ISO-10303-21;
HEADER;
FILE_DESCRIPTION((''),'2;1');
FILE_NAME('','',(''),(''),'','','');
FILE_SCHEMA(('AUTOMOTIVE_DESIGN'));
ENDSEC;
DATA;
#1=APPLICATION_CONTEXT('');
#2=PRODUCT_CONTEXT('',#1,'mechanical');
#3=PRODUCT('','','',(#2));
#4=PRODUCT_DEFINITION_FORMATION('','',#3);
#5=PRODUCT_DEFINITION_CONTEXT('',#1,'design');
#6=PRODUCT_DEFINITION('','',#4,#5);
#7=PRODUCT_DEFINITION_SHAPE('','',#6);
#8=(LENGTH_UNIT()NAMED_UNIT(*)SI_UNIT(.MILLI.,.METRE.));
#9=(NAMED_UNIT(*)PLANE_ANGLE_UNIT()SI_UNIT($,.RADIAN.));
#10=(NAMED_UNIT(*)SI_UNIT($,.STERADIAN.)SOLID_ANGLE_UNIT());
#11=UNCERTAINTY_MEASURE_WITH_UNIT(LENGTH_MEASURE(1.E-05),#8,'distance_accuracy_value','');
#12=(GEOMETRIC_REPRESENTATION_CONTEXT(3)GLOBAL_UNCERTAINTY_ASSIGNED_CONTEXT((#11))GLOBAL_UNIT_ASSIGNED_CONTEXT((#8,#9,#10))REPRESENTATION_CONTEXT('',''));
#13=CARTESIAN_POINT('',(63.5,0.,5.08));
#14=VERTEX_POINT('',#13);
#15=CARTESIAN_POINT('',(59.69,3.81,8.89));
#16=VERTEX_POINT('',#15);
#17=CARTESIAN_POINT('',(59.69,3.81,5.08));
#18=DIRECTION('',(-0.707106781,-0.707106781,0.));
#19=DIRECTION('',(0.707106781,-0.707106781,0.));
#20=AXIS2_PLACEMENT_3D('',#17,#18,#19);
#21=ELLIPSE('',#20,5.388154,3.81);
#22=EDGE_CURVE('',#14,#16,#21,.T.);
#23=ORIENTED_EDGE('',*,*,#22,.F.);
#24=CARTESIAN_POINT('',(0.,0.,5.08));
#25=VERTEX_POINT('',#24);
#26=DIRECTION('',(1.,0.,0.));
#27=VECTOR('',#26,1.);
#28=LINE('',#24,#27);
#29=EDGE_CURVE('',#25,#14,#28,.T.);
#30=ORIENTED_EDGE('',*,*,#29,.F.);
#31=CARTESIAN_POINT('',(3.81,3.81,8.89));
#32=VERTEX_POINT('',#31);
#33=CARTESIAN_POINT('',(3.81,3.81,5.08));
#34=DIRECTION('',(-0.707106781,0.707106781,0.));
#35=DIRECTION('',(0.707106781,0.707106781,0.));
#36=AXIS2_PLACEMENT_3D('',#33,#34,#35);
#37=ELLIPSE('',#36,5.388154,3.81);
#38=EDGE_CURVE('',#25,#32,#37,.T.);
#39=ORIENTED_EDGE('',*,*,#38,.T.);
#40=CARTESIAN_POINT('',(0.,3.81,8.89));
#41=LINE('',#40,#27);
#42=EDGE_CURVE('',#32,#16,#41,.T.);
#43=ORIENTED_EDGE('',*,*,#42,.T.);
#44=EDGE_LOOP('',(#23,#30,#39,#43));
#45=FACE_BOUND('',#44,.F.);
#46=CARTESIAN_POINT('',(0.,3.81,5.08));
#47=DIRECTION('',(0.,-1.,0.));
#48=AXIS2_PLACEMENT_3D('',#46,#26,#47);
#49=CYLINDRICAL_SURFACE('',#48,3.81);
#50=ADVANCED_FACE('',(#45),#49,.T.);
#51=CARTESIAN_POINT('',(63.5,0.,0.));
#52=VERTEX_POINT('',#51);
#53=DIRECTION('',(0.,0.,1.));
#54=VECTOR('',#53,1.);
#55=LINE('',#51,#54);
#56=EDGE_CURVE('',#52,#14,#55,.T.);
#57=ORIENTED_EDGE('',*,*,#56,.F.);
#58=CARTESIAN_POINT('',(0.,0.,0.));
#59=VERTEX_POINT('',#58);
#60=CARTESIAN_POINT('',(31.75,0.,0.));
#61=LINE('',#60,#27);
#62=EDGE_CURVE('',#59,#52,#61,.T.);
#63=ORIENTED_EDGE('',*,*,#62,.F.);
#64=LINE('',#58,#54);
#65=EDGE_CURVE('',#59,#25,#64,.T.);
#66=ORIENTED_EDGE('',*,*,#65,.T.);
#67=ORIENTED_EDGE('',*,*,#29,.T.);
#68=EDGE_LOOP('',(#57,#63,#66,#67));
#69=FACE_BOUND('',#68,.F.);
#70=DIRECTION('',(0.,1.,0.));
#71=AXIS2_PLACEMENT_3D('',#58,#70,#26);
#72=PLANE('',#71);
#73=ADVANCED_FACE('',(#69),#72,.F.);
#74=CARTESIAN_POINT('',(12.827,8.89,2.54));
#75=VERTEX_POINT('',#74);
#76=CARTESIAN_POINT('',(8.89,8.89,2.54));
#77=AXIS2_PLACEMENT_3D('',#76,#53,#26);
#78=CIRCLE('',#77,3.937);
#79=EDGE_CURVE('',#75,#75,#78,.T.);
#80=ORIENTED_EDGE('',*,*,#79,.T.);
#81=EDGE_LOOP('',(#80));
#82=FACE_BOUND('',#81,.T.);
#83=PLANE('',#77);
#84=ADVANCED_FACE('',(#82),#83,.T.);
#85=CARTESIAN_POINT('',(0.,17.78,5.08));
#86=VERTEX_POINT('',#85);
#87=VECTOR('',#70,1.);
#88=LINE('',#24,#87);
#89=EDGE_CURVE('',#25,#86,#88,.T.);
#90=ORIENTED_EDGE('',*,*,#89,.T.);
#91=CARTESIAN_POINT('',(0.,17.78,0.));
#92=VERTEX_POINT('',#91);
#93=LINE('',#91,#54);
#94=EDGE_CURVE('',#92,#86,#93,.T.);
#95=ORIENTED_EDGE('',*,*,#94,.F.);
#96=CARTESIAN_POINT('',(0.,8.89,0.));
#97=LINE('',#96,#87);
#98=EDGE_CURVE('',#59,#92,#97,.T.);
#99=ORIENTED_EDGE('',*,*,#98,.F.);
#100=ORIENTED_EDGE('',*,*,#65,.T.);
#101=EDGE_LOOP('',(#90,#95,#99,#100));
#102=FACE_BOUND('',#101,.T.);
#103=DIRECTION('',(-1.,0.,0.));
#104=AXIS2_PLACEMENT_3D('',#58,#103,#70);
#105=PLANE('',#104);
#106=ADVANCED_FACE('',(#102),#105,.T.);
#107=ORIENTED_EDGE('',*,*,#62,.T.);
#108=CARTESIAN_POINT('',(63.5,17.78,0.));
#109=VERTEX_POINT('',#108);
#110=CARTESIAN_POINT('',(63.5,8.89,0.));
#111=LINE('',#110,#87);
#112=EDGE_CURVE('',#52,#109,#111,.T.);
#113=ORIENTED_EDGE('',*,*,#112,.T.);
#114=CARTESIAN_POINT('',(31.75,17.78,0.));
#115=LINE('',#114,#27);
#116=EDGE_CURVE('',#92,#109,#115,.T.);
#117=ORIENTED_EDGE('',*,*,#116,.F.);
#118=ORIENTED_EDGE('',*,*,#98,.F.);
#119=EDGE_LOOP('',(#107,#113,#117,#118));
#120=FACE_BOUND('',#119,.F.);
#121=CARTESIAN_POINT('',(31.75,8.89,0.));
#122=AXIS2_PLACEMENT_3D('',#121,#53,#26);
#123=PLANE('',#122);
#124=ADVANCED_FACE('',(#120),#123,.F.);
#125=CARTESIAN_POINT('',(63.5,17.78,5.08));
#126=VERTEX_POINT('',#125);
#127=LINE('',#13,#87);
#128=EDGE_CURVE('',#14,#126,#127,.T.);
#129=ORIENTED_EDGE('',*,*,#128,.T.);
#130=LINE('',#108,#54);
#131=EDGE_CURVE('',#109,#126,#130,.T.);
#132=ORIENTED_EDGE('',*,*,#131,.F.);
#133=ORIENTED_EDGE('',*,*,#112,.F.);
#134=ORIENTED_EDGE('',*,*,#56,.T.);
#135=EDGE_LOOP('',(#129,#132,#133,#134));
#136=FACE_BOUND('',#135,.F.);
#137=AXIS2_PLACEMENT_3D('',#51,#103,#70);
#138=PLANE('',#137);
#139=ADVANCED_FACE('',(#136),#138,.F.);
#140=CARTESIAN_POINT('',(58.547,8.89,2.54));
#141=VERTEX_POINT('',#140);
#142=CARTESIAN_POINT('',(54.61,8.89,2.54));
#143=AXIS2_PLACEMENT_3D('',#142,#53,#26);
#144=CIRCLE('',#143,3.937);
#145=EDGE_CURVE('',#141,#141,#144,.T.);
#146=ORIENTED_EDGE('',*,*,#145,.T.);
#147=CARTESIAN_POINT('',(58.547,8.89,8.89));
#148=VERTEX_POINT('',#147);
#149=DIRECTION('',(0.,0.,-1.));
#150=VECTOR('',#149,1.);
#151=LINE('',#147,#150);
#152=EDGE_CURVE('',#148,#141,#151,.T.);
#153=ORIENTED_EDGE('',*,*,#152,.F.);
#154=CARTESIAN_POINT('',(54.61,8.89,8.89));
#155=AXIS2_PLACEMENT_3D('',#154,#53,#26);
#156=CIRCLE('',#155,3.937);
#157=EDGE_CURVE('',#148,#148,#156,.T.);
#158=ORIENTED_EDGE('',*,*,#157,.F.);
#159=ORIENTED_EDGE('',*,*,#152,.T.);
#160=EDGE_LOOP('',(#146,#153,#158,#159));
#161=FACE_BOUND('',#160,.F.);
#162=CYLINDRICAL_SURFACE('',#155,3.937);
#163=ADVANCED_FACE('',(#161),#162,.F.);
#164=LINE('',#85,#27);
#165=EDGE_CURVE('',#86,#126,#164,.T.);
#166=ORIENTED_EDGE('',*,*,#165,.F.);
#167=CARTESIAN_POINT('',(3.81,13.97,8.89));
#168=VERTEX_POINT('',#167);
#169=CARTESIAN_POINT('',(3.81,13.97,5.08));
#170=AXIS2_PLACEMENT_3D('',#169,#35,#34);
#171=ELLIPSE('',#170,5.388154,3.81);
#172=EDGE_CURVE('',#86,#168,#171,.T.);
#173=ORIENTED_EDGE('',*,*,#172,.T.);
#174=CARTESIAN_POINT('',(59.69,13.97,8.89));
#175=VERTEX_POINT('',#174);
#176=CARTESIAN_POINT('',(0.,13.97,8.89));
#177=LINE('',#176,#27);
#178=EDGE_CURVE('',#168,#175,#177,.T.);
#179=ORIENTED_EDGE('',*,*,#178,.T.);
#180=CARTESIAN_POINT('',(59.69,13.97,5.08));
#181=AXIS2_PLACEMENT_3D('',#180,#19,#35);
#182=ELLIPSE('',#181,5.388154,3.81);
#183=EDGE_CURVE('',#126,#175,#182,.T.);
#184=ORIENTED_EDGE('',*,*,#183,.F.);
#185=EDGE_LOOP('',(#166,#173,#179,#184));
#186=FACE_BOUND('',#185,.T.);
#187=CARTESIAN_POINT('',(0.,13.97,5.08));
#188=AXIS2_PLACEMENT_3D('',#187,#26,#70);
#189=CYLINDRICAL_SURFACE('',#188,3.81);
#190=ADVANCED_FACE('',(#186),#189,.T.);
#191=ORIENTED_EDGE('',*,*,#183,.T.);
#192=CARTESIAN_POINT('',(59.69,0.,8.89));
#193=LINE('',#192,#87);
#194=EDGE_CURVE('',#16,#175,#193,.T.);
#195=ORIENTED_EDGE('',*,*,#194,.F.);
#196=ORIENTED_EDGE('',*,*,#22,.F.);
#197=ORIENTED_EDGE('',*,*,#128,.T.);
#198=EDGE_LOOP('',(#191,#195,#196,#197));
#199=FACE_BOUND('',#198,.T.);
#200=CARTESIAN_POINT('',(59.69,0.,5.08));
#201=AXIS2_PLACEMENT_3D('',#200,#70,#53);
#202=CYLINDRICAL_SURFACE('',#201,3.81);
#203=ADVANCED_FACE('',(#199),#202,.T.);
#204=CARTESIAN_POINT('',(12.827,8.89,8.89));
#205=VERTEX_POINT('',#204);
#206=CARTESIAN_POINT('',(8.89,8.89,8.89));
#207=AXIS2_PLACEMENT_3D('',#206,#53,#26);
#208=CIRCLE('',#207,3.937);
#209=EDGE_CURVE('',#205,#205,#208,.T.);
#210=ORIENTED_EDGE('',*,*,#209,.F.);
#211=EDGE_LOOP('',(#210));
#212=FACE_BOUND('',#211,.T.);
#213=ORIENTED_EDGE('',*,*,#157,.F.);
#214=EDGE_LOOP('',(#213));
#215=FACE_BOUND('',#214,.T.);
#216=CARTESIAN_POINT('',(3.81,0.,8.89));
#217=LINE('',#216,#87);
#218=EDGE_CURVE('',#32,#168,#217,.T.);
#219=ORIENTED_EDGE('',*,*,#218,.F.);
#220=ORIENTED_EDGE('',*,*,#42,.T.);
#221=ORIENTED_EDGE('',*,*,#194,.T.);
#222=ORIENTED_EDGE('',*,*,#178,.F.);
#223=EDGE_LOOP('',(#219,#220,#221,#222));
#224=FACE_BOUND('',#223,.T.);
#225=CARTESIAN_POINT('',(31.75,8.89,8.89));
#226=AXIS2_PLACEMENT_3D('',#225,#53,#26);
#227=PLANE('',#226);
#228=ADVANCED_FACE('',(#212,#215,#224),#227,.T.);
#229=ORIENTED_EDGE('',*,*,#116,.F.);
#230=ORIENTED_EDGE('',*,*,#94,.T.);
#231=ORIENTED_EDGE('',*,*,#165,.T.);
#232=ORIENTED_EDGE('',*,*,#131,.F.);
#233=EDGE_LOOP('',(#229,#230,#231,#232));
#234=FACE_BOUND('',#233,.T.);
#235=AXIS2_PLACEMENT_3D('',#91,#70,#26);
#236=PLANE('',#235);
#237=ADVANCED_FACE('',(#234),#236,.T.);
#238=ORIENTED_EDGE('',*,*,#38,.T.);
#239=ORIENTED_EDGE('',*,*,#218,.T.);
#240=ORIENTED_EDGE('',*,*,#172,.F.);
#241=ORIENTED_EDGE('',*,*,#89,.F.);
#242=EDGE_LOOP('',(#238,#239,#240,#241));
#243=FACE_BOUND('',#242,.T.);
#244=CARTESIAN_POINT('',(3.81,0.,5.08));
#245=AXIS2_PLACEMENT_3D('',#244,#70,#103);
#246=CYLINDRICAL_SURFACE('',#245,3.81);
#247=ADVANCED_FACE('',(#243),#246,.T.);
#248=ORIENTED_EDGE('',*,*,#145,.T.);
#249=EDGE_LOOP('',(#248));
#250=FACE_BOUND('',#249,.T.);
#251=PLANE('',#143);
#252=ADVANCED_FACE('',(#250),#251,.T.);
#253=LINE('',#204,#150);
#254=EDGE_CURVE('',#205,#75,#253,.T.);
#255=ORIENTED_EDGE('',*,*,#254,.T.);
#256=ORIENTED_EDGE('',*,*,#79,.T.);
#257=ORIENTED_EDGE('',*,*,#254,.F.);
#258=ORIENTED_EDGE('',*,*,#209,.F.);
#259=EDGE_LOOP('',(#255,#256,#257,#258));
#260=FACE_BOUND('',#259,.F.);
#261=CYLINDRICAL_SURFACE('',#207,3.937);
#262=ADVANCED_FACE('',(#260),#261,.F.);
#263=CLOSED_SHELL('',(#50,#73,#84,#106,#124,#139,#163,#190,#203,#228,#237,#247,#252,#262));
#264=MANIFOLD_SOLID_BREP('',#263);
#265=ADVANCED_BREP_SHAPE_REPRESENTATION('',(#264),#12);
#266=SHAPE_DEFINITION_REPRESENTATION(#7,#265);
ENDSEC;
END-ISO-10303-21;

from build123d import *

# Parameters (mm, degrees)
F0_W     = 63.5
F0_H     = 17.78
F1_DEPTH = 8.89
F2_R     = 3.937
F3_DEPTH = 6.35
F4_R     = 3.81


with BuildPart() as f1:
    # F0 (on Top) → F1 (new body)
    with BuildSketch(Plane.XY):
        with Locations((31.75, 8.89)):
            Rectangle(F0_W, F0_H)
    extrude(amount=F1_DEPTH)

    # F2 (on face) → F3 (cut)
    with BuildSketch(Plane.XY.offset(8.89)):
        with Locations((8.89, 8.89)):
            Circle(F2_R)
        with Locations((54.61, 8.89)):
            Circle(F2_R)
    extrude(amount=-F3_DEPTH, mode=Mode.SUBTRACT)

    # F4
    f4_edges = [f1.edges().sort_by_distance(p)[0] for p in [
        (31.75, 0, 8.89),
        (0, 8.89, 8.89),
        (31.75, 17.78, 8.89),
        (63.5, 8.89, 8.89),
    ]]
    fillet(f4_edges, radius=F4_R)


solid = f1.part
